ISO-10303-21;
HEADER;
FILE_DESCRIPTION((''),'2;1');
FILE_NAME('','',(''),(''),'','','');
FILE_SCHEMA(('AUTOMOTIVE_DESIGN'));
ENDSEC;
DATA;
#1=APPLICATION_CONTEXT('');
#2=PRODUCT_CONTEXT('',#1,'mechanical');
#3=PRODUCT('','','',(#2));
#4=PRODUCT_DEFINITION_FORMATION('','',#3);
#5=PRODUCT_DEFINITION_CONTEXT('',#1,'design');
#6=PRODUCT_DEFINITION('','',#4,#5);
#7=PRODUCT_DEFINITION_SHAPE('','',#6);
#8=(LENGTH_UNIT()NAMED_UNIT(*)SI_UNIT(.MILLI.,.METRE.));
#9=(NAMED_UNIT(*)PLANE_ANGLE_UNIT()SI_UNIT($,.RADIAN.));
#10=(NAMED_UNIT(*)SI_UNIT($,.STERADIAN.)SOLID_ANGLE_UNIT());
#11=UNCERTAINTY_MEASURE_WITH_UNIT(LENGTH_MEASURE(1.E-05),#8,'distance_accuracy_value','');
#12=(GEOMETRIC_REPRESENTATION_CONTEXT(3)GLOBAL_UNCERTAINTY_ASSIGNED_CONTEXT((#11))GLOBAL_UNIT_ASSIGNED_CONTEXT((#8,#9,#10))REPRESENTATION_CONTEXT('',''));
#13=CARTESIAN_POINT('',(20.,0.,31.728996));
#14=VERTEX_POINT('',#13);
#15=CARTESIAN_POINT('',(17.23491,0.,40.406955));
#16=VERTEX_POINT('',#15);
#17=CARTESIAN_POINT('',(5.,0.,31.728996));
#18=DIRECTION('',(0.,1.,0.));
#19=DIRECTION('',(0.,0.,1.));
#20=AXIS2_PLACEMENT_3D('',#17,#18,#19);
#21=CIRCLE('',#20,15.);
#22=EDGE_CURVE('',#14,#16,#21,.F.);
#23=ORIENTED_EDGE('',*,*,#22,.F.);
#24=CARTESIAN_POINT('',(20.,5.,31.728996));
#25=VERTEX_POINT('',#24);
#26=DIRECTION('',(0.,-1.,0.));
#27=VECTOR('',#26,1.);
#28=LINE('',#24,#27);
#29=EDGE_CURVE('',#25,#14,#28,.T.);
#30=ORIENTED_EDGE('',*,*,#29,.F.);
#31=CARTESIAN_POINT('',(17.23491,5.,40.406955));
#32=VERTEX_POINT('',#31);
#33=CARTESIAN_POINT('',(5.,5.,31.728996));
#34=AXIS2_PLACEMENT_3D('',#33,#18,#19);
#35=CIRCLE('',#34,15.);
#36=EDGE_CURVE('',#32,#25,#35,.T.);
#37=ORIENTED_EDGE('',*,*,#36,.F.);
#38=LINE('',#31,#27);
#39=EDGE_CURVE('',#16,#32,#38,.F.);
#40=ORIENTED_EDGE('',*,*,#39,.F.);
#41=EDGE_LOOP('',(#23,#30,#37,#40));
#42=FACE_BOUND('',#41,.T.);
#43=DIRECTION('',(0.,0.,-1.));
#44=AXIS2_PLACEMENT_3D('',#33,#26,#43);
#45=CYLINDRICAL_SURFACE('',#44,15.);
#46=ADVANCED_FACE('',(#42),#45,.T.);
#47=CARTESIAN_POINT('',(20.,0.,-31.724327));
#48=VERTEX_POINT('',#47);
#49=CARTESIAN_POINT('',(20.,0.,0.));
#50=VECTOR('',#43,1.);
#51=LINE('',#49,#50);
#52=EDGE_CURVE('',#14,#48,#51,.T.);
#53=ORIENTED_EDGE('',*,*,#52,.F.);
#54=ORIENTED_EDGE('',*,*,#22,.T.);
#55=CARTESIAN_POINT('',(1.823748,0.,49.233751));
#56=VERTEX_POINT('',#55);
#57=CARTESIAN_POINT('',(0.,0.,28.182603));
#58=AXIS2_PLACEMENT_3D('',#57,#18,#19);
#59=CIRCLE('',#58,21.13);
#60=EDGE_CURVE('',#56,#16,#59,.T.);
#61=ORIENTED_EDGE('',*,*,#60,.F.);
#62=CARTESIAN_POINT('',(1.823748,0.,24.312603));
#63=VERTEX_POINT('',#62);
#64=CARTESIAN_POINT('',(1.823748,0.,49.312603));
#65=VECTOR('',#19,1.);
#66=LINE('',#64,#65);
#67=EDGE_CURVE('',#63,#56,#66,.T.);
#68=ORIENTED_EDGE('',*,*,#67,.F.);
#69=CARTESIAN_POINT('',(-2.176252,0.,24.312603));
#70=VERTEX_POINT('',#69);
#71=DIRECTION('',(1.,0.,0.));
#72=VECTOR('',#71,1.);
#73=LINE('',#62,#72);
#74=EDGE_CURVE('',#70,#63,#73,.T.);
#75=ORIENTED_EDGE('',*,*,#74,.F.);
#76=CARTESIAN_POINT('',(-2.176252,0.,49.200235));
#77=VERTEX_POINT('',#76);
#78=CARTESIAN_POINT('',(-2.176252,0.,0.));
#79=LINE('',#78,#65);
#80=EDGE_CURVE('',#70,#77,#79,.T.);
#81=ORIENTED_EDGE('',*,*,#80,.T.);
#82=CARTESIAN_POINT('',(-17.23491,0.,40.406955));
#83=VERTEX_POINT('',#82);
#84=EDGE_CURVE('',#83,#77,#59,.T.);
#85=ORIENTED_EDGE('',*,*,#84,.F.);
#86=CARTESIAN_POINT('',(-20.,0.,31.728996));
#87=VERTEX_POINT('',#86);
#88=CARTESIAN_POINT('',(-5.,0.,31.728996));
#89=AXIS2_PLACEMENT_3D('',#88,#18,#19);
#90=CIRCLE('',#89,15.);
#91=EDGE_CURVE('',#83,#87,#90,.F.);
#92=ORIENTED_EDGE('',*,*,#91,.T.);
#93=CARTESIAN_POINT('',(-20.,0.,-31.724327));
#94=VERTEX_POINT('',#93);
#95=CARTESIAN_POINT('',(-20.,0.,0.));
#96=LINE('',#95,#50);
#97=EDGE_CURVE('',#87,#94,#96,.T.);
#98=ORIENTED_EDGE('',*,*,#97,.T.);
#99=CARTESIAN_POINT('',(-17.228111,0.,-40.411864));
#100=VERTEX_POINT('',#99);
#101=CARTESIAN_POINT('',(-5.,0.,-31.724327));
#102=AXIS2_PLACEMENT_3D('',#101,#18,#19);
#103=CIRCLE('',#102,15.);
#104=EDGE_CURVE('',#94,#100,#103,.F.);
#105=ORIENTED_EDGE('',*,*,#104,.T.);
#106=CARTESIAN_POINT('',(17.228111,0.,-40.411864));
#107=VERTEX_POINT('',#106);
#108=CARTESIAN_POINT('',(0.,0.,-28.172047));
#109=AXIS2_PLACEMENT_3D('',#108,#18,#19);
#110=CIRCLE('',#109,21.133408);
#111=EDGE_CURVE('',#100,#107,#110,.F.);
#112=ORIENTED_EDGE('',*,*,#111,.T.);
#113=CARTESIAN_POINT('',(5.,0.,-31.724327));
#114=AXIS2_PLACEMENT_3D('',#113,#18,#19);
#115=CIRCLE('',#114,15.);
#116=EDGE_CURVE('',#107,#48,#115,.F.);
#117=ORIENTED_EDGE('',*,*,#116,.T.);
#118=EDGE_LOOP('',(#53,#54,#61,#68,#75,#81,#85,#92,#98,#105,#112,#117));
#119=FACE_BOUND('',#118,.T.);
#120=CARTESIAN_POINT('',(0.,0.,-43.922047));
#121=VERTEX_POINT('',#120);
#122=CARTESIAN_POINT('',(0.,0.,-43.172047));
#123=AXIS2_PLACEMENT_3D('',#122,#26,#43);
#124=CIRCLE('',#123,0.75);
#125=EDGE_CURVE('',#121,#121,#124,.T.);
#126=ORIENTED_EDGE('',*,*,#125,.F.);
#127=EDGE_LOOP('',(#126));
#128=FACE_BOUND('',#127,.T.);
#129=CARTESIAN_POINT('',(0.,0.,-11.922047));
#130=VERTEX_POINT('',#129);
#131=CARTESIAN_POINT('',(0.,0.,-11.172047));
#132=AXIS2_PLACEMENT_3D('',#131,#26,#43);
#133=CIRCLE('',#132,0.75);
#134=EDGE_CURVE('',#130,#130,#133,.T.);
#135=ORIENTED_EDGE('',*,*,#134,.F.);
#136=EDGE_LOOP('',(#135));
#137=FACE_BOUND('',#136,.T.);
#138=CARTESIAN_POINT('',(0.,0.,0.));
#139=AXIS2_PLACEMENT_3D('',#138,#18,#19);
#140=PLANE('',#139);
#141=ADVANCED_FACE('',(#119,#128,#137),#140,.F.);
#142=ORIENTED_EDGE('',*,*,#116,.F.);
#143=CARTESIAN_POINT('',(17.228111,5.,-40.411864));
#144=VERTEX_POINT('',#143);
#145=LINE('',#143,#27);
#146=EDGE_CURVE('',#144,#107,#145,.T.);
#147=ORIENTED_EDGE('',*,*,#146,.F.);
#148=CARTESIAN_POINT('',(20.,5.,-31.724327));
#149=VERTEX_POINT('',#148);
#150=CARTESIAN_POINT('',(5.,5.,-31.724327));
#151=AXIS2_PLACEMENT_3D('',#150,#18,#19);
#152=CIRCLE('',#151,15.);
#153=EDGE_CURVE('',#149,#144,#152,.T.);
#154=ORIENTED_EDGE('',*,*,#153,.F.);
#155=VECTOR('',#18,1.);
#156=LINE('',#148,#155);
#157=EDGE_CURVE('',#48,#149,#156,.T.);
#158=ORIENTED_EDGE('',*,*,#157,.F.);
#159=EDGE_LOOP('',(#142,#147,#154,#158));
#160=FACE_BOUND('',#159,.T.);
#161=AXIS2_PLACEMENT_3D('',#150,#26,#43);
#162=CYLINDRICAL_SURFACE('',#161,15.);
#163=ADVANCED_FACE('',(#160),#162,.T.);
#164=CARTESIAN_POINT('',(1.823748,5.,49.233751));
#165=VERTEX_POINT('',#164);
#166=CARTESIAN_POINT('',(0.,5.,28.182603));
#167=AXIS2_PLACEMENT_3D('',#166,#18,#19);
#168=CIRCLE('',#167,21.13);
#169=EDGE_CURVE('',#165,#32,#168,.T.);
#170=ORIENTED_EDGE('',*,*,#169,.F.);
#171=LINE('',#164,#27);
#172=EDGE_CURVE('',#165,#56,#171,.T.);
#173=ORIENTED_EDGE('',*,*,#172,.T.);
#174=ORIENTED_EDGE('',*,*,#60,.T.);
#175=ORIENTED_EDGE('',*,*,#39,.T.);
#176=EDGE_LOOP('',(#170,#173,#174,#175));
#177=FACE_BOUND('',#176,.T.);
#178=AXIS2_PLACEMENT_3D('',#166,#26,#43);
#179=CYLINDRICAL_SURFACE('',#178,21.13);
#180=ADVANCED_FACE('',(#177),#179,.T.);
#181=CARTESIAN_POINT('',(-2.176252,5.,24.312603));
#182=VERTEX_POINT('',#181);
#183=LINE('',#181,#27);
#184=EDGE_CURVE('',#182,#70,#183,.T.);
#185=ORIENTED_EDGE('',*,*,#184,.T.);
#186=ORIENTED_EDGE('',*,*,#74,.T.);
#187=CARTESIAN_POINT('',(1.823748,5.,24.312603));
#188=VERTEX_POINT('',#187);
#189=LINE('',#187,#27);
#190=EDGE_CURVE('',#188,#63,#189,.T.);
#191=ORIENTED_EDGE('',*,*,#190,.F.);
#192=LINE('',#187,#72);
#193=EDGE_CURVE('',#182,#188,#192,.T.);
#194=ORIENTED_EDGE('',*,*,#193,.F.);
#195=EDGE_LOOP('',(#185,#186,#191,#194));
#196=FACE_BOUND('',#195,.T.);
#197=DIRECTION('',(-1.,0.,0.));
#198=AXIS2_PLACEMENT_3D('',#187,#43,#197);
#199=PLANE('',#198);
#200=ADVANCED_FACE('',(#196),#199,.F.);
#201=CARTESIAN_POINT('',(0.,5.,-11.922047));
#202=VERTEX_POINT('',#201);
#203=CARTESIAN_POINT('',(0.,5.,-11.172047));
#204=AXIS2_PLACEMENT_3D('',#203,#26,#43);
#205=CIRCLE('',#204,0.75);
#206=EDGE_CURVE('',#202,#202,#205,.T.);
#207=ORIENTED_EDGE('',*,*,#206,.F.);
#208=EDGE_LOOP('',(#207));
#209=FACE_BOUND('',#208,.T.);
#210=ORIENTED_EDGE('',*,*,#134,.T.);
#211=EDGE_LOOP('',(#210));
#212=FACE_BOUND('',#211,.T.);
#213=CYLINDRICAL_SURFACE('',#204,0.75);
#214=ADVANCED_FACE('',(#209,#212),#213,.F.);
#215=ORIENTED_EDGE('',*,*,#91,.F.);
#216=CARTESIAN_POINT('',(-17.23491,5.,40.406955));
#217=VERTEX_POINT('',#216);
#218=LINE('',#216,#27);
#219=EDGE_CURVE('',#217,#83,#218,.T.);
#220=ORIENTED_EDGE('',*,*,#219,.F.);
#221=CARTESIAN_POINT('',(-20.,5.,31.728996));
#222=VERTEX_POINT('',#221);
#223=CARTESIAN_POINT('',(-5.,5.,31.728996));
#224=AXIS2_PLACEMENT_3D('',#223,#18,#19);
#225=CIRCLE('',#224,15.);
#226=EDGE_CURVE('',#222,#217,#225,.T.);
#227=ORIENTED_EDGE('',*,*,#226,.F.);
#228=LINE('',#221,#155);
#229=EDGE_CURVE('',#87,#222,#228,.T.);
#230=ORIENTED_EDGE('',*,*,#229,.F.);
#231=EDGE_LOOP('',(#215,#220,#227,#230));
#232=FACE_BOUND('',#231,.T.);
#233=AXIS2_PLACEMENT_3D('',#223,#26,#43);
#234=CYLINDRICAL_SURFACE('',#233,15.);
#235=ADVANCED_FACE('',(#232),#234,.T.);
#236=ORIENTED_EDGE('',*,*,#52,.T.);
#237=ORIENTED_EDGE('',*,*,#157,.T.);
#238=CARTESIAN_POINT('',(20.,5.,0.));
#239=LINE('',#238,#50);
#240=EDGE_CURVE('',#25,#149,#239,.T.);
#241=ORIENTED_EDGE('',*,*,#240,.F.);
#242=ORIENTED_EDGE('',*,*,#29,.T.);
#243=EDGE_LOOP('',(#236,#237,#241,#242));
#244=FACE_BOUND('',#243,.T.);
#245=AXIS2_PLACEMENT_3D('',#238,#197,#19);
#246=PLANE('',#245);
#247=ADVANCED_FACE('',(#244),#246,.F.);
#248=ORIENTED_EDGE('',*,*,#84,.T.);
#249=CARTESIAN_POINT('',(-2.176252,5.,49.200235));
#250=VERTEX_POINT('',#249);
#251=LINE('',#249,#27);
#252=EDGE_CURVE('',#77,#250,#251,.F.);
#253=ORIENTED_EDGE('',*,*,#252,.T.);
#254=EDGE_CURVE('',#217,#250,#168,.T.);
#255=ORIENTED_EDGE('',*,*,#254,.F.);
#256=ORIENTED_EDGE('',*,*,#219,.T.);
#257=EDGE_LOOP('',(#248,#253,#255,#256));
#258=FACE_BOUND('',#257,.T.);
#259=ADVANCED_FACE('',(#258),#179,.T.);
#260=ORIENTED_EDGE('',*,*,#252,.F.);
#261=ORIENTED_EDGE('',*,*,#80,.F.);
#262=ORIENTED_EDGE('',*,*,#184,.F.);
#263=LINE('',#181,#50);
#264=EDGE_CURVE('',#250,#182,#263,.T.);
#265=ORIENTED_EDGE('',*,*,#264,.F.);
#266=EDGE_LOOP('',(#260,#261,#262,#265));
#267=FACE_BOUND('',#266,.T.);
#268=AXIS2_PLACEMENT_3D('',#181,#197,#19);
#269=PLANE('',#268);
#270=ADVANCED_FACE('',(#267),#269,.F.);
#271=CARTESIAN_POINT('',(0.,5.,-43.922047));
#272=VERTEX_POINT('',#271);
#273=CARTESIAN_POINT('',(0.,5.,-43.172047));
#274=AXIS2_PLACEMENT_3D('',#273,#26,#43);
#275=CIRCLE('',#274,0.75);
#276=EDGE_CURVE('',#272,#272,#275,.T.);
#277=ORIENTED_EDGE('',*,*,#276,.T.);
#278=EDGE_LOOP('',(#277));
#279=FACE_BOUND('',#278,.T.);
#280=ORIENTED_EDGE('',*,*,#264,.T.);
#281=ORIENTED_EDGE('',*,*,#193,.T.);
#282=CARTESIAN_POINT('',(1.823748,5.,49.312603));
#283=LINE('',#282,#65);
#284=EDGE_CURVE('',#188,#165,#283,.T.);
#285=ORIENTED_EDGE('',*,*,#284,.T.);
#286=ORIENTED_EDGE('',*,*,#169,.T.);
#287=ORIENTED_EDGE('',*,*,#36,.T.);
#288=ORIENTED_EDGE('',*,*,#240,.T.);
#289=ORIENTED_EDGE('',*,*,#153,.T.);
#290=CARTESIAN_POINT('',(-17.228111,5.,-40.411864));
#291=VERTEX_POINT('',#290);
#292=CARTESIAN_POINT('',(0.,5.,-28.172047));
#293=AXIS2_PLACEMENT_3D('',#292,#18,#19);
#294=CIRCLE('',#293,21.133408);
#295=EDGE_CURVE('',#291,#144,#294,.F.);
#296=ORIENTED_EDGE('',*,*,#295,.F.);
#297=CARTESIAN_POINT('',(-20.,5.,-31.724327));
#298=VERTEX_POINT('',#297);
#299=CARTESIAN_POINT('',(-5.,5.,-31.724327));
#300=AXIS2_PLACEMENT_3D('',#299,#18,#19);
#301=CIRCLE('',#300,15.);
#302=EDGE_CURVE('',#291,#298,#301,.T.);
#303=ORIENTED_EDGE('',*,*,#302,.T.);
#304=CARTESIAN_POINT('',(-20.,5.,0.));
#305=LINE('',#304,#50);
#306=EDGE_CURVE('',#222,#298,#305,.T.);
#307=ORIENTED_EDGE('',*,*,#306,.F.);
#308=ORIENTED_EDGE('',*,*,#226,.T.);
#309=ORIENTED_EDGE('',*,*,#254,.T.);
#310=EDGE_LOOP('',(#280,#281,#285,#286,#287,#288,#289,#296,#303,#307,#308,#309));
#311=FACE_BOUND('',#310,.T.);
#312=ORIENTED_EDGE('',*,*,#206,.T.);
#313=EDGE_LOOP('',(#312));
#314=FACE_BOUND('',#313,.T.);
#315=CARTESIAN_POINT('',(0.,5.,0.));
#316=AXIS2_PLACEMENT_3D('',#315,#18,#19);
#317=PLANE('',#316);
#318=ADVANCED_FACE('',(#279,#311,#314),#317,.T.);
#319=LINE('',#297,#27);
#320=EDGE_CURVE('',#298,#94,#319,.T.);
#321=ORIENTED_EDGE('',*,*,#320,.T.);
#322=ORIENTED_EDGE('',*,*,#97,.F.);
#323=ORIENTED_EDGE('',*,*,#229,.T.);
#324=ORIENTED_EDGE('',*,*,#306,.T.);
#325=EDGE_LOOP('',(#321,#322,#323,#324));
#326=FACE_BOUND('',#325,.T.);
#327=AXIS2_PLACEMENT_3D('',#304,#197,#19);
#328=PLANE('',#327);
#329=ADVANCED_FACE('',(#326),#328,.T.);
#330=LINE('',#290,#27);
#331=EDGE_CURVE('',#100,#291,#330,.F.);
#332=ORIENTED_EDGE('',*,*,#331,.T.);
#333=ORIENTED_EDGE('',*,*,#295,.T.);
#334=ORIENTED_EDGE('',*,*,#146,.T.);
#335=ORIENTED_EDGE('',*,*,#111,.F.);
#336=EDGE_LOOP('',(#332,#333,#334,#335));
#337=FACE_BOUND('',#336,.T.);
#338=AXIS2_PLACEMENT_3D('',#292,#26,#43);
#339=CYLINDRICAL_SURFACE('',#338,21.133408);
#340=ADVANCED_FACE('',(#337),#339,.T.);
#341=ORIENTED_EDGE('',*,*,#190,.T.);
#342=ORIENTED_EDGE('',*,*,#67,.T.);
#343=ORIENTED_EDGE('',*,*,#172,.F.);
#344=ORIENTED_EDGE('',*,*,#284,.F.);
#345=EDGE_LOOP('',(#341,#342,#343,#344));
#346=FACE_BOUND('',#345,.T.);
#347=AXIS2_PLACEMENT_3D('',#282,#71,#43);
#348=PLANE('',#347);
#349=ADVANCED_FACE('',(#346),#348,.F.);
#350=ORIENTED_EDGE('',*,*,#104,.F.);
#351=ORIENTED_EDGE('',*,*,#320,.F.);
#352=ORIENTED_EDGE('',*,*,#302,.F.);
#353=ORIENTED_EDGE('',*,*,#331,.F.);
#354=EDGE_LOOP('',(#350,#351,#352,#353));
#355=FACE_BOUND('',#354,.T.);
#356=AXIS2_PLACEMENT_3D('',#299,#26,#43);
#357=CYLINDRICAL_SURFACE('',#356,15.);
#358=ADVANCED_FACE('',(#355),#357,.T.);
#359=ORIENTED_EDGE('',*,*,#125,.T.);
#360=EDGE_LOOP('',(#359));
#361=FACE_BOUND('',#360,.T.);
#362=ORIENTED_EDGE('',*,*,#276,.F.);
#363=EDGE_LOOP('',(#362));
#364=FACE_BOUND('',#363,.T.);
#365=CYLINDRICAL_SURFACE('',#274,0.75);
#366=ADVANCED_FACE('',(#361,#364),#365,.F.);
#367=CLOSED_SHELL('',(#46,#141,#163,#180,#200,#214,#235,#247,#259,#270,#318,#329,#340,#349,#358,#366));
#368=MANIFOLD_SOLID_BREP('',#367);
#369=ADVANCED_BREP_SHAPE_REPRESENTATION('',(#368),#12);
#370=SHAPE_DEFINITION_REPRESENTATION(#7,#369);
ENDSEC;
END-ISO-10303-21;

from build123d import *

# Parameters (mm, degrees)
SKETCH2_W           = 40
SKETCH2_H           = 70
BOSS_EXTRUDE1_DEPTH = 5
FILLET1_R           = 15
CUT_EXTRUDE1_DEPTH  = 6
SKETCH4_R           = 0.75
CUT_EXTRUDE2_DEPTH  = 6


with BuildPart() as part:
    # Sketch2 → Boss-Extrude1 (new body)
    with BuildSketch(Plane(origin=(0, 0, 0), x_dir=(1, 0, 0), z_dir=(0, 1, 0))):
        with BuildLine():
            Line((-20, -35), (20, -35))
            ThreePointArc((20, -35), (0, -49.312603136), (-20, -35))
        make_face()
        Rectangle(SKETCH2_W, SKETCH2_H)
        with BuildLine():
            ThreePointArc((-20, 35), (0, 49.305454963), (20, 35))
            Line((20, 35), (-20, 35))
        make_face()
    extrude(amount=BOSS_EXTRUDE1_DEPTH)

    # Fillet1
    fillet1_edges = [part.edges().sort_by_distance(p)[0] for p in [
        (-20, 2.5, 35),
        (-20, 2.5, -35),
        (20, 2.5, -35),
        (20, 2.5, 35),
    ]]
    fillet(fillet1_edges, radius=FILLET1_R)

    # Sketch3 → Cut-Extrude1 (cut, through all)
    with BuildSketch(Plane.XZ):
        Polygon((0, 49.312603136), (1.823748233, 49.312603136), (1.823748233, 24.312603136), (-2.176251767, 24.312603136), (-2.176251767, 49.312603136), align=None)
    extrude(amount=-CUT_EXTRUDE1_DEPTH, mode=Mode.SUBTRACT)

    # Sketch4 → Cut-Extrude2 (cut, through all)
    with BuildSketch(Plane.XZ):
        with Locations((0, -43.172046648)):
            Circle(SKETCH4_R)
        with Locations((0, -11.172046648)):
            Circle(SKETCH4_R)
    extrude(amount=-CUT_EXTRUDE2_DEPTH, mode=Mode.SUBTRACT)


solid = part.part
